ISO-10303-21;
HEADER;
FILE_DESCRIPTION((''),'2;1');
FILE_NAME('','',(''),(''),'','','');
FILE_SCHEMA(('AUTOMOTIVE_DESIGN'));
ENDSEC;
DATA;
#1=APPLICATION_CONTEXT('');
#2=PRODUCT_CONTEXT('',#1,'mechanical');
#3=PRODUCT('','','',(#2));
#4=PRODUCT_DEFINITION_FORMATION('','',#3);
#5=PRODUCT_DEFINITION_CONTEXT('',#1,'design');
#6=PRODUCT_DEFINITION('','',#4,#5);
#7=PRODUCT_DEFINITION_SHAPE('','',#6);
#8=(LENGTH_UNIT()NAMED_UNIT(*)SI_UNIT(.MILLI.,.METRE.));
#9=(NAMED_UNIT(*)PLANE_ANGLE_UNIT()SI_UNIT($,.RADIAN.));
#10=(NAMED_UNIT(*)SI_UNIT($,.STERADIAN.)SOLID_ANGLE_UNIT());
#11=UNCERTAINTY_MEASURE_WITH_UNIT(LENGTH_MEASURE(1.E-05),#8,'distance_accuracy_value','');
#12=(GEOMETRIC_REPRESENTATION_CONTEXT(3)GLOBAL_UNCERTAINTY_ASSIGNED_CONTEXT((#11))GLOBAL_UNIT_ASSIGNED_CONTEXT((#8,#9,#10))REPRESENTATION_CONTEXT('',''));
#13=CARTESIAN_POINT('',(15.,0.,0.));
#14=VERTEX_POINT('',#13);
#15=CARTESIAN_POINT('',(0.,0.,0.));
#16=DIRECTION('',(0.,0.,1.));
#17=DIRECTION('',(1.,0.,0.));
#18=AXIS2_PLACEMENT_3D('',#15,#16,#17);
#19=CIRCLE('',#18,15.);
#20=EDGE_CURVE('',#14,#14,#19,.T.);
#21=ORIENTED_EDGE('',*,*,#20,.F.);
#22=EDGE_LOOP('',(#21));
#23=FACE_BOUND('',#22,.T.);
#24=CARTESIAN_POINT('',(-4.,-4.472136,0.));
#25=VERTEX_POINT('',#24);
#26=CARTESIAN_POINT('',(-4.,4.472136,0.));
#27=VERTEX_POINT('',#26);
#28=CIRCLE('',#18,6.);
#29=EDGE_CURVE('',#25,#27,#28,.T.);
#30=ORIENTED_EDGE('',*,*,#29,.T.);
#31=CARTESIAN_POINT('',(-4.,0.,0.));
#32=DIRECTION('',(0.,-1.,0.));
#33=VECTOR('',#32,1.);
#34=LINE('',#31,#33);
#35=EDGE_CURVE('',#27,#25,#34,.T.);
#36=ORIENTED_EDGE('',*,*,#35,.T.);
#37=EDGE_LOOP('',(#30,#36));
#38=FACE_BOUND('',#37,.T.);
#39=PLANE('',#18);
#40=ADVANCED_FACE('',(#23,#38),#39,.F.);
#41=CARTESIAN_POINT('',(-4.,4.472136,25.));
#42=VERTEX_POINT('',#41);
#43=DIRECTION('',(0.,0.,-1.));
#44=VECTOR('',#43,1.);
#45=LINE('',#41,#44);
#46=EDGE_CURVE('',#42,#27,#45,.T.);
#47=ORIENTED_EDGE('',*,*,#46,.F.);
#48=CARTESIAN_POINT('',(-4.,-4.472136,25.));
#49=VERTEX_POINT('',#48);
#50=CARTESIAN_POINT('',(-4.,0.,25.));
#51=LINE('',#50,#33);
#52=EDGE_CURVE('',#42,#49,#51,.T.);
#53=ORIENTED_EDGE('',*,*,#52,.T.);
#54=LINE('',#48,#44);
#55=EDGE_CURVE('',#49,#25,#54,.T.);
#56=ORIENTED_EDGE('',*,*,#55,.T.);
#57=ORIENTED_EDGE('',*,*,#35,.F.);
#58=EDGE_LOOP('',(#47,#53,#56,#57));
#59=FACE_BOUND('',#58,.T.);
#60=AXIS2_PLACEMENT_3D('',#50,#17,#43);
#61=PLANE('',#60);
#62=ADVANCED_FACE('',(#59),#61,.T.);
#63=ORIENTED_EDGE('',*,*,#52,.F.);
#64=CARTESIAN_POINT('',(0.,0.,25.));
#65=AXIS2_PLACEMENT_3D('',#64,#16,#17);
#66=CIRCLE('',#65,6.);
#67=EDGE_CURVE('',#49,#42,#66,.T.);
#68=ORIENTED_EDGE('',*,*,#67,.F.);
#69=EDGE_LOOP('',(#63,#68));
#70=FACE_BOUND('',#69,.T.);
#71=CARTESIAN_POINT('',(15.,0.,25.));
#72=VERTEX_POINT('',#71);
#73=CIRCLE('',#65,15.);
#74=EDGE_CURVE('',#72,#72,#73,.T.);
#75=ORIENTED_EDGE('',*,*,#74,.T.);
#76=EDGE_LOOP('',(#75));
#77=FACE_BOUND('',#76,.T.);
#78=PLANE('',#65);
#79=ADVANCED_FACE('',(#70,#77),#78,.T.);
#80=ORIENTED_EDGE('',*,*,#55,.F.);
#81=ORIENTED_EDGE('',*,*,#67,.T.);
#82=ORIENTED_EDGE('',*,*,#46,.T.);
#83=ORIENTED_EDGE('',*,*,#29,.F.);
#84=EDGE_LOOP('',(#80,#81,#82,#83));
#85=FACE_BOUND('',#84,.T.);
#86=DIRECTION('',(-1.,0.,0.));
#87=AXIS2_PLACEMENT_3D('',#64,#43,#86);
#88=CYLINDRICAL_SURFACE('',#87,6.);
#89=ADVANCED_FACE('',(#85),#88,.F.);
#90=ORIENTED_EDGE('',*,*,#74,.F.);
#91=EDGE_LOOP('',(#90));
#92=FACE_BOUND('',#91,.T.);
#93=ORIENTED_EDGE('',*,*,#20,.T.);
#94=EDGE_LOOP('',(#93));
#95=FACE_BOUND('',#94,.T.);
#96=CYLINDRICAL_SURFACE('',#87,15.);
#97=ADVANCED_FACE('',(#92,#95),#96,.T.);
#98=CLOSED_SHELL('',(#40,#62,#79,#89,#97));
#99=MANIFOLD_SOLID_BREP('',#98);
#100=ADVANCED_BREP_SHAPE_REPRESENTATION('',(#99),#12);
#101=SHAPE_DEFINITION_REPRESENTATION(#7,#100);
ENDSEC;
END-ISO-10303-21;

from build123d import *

# Parameters (mm, degrees)
BOSS_EXTRU_1_DEPTH = 25


with BuildPart() as part:
    # Esquisse2 → Boss.-Extru.1 (new body)
    with BuildSketch(Plane.XY):
        with BuildLine():
            ThreePointArc((-4, 4.472135955), (-2.140932539, 5.605034154), (0, 6))
            Line((0, 6), (0, 15))
            ThreePointArc((0, 15), (-2.018355219, 14.863587797), (-4, 14.456832295))
            Line((-4, 14.456832295), (-4, 4.472135955))
        make_face()
        with BuildLine():
            Line((0, 15), (0, 6))
            ThreePointArc((0, 6), (4.242640687, 4.242640687), (6, 0))
            ThreePointArc((6, 0), (2.449489743, -5.477225575), (-4, -4.472135955))
            Line((-4, -4.472135955), (-4, -14.456832295))
            ThreePointArc((-4, -14.456832295), (9.082951062, -11.937336386), (15, 0))
            ThreePointArc((15, 0), (10.606601718, 10.606601718), (0, 15))
        make_face()
        with BuildLine():
            ThreePointArc((-4, -4.472135955), (-6, 0), (-4, 4.472135955))
            Line((-4, 4.472135955), (-4, 14.456832295))
            ThreePointArc((-4, 14.456832295), (-15, 0), (-4, -14.456832295))
            Line((-4, -14.456832295), (-4, -4.472135955))
        make_face()
        with BuildLine():
            Line((-4, -4.472135955), (-4, 4.472135955))
            ThreePointArc((-4, 4.472135955), (-6, 0), (-4, -4.472135955))
        make_face()
    extrude(amount=BOSS_EXTRU_1_DEPTH)


solid = part.part
